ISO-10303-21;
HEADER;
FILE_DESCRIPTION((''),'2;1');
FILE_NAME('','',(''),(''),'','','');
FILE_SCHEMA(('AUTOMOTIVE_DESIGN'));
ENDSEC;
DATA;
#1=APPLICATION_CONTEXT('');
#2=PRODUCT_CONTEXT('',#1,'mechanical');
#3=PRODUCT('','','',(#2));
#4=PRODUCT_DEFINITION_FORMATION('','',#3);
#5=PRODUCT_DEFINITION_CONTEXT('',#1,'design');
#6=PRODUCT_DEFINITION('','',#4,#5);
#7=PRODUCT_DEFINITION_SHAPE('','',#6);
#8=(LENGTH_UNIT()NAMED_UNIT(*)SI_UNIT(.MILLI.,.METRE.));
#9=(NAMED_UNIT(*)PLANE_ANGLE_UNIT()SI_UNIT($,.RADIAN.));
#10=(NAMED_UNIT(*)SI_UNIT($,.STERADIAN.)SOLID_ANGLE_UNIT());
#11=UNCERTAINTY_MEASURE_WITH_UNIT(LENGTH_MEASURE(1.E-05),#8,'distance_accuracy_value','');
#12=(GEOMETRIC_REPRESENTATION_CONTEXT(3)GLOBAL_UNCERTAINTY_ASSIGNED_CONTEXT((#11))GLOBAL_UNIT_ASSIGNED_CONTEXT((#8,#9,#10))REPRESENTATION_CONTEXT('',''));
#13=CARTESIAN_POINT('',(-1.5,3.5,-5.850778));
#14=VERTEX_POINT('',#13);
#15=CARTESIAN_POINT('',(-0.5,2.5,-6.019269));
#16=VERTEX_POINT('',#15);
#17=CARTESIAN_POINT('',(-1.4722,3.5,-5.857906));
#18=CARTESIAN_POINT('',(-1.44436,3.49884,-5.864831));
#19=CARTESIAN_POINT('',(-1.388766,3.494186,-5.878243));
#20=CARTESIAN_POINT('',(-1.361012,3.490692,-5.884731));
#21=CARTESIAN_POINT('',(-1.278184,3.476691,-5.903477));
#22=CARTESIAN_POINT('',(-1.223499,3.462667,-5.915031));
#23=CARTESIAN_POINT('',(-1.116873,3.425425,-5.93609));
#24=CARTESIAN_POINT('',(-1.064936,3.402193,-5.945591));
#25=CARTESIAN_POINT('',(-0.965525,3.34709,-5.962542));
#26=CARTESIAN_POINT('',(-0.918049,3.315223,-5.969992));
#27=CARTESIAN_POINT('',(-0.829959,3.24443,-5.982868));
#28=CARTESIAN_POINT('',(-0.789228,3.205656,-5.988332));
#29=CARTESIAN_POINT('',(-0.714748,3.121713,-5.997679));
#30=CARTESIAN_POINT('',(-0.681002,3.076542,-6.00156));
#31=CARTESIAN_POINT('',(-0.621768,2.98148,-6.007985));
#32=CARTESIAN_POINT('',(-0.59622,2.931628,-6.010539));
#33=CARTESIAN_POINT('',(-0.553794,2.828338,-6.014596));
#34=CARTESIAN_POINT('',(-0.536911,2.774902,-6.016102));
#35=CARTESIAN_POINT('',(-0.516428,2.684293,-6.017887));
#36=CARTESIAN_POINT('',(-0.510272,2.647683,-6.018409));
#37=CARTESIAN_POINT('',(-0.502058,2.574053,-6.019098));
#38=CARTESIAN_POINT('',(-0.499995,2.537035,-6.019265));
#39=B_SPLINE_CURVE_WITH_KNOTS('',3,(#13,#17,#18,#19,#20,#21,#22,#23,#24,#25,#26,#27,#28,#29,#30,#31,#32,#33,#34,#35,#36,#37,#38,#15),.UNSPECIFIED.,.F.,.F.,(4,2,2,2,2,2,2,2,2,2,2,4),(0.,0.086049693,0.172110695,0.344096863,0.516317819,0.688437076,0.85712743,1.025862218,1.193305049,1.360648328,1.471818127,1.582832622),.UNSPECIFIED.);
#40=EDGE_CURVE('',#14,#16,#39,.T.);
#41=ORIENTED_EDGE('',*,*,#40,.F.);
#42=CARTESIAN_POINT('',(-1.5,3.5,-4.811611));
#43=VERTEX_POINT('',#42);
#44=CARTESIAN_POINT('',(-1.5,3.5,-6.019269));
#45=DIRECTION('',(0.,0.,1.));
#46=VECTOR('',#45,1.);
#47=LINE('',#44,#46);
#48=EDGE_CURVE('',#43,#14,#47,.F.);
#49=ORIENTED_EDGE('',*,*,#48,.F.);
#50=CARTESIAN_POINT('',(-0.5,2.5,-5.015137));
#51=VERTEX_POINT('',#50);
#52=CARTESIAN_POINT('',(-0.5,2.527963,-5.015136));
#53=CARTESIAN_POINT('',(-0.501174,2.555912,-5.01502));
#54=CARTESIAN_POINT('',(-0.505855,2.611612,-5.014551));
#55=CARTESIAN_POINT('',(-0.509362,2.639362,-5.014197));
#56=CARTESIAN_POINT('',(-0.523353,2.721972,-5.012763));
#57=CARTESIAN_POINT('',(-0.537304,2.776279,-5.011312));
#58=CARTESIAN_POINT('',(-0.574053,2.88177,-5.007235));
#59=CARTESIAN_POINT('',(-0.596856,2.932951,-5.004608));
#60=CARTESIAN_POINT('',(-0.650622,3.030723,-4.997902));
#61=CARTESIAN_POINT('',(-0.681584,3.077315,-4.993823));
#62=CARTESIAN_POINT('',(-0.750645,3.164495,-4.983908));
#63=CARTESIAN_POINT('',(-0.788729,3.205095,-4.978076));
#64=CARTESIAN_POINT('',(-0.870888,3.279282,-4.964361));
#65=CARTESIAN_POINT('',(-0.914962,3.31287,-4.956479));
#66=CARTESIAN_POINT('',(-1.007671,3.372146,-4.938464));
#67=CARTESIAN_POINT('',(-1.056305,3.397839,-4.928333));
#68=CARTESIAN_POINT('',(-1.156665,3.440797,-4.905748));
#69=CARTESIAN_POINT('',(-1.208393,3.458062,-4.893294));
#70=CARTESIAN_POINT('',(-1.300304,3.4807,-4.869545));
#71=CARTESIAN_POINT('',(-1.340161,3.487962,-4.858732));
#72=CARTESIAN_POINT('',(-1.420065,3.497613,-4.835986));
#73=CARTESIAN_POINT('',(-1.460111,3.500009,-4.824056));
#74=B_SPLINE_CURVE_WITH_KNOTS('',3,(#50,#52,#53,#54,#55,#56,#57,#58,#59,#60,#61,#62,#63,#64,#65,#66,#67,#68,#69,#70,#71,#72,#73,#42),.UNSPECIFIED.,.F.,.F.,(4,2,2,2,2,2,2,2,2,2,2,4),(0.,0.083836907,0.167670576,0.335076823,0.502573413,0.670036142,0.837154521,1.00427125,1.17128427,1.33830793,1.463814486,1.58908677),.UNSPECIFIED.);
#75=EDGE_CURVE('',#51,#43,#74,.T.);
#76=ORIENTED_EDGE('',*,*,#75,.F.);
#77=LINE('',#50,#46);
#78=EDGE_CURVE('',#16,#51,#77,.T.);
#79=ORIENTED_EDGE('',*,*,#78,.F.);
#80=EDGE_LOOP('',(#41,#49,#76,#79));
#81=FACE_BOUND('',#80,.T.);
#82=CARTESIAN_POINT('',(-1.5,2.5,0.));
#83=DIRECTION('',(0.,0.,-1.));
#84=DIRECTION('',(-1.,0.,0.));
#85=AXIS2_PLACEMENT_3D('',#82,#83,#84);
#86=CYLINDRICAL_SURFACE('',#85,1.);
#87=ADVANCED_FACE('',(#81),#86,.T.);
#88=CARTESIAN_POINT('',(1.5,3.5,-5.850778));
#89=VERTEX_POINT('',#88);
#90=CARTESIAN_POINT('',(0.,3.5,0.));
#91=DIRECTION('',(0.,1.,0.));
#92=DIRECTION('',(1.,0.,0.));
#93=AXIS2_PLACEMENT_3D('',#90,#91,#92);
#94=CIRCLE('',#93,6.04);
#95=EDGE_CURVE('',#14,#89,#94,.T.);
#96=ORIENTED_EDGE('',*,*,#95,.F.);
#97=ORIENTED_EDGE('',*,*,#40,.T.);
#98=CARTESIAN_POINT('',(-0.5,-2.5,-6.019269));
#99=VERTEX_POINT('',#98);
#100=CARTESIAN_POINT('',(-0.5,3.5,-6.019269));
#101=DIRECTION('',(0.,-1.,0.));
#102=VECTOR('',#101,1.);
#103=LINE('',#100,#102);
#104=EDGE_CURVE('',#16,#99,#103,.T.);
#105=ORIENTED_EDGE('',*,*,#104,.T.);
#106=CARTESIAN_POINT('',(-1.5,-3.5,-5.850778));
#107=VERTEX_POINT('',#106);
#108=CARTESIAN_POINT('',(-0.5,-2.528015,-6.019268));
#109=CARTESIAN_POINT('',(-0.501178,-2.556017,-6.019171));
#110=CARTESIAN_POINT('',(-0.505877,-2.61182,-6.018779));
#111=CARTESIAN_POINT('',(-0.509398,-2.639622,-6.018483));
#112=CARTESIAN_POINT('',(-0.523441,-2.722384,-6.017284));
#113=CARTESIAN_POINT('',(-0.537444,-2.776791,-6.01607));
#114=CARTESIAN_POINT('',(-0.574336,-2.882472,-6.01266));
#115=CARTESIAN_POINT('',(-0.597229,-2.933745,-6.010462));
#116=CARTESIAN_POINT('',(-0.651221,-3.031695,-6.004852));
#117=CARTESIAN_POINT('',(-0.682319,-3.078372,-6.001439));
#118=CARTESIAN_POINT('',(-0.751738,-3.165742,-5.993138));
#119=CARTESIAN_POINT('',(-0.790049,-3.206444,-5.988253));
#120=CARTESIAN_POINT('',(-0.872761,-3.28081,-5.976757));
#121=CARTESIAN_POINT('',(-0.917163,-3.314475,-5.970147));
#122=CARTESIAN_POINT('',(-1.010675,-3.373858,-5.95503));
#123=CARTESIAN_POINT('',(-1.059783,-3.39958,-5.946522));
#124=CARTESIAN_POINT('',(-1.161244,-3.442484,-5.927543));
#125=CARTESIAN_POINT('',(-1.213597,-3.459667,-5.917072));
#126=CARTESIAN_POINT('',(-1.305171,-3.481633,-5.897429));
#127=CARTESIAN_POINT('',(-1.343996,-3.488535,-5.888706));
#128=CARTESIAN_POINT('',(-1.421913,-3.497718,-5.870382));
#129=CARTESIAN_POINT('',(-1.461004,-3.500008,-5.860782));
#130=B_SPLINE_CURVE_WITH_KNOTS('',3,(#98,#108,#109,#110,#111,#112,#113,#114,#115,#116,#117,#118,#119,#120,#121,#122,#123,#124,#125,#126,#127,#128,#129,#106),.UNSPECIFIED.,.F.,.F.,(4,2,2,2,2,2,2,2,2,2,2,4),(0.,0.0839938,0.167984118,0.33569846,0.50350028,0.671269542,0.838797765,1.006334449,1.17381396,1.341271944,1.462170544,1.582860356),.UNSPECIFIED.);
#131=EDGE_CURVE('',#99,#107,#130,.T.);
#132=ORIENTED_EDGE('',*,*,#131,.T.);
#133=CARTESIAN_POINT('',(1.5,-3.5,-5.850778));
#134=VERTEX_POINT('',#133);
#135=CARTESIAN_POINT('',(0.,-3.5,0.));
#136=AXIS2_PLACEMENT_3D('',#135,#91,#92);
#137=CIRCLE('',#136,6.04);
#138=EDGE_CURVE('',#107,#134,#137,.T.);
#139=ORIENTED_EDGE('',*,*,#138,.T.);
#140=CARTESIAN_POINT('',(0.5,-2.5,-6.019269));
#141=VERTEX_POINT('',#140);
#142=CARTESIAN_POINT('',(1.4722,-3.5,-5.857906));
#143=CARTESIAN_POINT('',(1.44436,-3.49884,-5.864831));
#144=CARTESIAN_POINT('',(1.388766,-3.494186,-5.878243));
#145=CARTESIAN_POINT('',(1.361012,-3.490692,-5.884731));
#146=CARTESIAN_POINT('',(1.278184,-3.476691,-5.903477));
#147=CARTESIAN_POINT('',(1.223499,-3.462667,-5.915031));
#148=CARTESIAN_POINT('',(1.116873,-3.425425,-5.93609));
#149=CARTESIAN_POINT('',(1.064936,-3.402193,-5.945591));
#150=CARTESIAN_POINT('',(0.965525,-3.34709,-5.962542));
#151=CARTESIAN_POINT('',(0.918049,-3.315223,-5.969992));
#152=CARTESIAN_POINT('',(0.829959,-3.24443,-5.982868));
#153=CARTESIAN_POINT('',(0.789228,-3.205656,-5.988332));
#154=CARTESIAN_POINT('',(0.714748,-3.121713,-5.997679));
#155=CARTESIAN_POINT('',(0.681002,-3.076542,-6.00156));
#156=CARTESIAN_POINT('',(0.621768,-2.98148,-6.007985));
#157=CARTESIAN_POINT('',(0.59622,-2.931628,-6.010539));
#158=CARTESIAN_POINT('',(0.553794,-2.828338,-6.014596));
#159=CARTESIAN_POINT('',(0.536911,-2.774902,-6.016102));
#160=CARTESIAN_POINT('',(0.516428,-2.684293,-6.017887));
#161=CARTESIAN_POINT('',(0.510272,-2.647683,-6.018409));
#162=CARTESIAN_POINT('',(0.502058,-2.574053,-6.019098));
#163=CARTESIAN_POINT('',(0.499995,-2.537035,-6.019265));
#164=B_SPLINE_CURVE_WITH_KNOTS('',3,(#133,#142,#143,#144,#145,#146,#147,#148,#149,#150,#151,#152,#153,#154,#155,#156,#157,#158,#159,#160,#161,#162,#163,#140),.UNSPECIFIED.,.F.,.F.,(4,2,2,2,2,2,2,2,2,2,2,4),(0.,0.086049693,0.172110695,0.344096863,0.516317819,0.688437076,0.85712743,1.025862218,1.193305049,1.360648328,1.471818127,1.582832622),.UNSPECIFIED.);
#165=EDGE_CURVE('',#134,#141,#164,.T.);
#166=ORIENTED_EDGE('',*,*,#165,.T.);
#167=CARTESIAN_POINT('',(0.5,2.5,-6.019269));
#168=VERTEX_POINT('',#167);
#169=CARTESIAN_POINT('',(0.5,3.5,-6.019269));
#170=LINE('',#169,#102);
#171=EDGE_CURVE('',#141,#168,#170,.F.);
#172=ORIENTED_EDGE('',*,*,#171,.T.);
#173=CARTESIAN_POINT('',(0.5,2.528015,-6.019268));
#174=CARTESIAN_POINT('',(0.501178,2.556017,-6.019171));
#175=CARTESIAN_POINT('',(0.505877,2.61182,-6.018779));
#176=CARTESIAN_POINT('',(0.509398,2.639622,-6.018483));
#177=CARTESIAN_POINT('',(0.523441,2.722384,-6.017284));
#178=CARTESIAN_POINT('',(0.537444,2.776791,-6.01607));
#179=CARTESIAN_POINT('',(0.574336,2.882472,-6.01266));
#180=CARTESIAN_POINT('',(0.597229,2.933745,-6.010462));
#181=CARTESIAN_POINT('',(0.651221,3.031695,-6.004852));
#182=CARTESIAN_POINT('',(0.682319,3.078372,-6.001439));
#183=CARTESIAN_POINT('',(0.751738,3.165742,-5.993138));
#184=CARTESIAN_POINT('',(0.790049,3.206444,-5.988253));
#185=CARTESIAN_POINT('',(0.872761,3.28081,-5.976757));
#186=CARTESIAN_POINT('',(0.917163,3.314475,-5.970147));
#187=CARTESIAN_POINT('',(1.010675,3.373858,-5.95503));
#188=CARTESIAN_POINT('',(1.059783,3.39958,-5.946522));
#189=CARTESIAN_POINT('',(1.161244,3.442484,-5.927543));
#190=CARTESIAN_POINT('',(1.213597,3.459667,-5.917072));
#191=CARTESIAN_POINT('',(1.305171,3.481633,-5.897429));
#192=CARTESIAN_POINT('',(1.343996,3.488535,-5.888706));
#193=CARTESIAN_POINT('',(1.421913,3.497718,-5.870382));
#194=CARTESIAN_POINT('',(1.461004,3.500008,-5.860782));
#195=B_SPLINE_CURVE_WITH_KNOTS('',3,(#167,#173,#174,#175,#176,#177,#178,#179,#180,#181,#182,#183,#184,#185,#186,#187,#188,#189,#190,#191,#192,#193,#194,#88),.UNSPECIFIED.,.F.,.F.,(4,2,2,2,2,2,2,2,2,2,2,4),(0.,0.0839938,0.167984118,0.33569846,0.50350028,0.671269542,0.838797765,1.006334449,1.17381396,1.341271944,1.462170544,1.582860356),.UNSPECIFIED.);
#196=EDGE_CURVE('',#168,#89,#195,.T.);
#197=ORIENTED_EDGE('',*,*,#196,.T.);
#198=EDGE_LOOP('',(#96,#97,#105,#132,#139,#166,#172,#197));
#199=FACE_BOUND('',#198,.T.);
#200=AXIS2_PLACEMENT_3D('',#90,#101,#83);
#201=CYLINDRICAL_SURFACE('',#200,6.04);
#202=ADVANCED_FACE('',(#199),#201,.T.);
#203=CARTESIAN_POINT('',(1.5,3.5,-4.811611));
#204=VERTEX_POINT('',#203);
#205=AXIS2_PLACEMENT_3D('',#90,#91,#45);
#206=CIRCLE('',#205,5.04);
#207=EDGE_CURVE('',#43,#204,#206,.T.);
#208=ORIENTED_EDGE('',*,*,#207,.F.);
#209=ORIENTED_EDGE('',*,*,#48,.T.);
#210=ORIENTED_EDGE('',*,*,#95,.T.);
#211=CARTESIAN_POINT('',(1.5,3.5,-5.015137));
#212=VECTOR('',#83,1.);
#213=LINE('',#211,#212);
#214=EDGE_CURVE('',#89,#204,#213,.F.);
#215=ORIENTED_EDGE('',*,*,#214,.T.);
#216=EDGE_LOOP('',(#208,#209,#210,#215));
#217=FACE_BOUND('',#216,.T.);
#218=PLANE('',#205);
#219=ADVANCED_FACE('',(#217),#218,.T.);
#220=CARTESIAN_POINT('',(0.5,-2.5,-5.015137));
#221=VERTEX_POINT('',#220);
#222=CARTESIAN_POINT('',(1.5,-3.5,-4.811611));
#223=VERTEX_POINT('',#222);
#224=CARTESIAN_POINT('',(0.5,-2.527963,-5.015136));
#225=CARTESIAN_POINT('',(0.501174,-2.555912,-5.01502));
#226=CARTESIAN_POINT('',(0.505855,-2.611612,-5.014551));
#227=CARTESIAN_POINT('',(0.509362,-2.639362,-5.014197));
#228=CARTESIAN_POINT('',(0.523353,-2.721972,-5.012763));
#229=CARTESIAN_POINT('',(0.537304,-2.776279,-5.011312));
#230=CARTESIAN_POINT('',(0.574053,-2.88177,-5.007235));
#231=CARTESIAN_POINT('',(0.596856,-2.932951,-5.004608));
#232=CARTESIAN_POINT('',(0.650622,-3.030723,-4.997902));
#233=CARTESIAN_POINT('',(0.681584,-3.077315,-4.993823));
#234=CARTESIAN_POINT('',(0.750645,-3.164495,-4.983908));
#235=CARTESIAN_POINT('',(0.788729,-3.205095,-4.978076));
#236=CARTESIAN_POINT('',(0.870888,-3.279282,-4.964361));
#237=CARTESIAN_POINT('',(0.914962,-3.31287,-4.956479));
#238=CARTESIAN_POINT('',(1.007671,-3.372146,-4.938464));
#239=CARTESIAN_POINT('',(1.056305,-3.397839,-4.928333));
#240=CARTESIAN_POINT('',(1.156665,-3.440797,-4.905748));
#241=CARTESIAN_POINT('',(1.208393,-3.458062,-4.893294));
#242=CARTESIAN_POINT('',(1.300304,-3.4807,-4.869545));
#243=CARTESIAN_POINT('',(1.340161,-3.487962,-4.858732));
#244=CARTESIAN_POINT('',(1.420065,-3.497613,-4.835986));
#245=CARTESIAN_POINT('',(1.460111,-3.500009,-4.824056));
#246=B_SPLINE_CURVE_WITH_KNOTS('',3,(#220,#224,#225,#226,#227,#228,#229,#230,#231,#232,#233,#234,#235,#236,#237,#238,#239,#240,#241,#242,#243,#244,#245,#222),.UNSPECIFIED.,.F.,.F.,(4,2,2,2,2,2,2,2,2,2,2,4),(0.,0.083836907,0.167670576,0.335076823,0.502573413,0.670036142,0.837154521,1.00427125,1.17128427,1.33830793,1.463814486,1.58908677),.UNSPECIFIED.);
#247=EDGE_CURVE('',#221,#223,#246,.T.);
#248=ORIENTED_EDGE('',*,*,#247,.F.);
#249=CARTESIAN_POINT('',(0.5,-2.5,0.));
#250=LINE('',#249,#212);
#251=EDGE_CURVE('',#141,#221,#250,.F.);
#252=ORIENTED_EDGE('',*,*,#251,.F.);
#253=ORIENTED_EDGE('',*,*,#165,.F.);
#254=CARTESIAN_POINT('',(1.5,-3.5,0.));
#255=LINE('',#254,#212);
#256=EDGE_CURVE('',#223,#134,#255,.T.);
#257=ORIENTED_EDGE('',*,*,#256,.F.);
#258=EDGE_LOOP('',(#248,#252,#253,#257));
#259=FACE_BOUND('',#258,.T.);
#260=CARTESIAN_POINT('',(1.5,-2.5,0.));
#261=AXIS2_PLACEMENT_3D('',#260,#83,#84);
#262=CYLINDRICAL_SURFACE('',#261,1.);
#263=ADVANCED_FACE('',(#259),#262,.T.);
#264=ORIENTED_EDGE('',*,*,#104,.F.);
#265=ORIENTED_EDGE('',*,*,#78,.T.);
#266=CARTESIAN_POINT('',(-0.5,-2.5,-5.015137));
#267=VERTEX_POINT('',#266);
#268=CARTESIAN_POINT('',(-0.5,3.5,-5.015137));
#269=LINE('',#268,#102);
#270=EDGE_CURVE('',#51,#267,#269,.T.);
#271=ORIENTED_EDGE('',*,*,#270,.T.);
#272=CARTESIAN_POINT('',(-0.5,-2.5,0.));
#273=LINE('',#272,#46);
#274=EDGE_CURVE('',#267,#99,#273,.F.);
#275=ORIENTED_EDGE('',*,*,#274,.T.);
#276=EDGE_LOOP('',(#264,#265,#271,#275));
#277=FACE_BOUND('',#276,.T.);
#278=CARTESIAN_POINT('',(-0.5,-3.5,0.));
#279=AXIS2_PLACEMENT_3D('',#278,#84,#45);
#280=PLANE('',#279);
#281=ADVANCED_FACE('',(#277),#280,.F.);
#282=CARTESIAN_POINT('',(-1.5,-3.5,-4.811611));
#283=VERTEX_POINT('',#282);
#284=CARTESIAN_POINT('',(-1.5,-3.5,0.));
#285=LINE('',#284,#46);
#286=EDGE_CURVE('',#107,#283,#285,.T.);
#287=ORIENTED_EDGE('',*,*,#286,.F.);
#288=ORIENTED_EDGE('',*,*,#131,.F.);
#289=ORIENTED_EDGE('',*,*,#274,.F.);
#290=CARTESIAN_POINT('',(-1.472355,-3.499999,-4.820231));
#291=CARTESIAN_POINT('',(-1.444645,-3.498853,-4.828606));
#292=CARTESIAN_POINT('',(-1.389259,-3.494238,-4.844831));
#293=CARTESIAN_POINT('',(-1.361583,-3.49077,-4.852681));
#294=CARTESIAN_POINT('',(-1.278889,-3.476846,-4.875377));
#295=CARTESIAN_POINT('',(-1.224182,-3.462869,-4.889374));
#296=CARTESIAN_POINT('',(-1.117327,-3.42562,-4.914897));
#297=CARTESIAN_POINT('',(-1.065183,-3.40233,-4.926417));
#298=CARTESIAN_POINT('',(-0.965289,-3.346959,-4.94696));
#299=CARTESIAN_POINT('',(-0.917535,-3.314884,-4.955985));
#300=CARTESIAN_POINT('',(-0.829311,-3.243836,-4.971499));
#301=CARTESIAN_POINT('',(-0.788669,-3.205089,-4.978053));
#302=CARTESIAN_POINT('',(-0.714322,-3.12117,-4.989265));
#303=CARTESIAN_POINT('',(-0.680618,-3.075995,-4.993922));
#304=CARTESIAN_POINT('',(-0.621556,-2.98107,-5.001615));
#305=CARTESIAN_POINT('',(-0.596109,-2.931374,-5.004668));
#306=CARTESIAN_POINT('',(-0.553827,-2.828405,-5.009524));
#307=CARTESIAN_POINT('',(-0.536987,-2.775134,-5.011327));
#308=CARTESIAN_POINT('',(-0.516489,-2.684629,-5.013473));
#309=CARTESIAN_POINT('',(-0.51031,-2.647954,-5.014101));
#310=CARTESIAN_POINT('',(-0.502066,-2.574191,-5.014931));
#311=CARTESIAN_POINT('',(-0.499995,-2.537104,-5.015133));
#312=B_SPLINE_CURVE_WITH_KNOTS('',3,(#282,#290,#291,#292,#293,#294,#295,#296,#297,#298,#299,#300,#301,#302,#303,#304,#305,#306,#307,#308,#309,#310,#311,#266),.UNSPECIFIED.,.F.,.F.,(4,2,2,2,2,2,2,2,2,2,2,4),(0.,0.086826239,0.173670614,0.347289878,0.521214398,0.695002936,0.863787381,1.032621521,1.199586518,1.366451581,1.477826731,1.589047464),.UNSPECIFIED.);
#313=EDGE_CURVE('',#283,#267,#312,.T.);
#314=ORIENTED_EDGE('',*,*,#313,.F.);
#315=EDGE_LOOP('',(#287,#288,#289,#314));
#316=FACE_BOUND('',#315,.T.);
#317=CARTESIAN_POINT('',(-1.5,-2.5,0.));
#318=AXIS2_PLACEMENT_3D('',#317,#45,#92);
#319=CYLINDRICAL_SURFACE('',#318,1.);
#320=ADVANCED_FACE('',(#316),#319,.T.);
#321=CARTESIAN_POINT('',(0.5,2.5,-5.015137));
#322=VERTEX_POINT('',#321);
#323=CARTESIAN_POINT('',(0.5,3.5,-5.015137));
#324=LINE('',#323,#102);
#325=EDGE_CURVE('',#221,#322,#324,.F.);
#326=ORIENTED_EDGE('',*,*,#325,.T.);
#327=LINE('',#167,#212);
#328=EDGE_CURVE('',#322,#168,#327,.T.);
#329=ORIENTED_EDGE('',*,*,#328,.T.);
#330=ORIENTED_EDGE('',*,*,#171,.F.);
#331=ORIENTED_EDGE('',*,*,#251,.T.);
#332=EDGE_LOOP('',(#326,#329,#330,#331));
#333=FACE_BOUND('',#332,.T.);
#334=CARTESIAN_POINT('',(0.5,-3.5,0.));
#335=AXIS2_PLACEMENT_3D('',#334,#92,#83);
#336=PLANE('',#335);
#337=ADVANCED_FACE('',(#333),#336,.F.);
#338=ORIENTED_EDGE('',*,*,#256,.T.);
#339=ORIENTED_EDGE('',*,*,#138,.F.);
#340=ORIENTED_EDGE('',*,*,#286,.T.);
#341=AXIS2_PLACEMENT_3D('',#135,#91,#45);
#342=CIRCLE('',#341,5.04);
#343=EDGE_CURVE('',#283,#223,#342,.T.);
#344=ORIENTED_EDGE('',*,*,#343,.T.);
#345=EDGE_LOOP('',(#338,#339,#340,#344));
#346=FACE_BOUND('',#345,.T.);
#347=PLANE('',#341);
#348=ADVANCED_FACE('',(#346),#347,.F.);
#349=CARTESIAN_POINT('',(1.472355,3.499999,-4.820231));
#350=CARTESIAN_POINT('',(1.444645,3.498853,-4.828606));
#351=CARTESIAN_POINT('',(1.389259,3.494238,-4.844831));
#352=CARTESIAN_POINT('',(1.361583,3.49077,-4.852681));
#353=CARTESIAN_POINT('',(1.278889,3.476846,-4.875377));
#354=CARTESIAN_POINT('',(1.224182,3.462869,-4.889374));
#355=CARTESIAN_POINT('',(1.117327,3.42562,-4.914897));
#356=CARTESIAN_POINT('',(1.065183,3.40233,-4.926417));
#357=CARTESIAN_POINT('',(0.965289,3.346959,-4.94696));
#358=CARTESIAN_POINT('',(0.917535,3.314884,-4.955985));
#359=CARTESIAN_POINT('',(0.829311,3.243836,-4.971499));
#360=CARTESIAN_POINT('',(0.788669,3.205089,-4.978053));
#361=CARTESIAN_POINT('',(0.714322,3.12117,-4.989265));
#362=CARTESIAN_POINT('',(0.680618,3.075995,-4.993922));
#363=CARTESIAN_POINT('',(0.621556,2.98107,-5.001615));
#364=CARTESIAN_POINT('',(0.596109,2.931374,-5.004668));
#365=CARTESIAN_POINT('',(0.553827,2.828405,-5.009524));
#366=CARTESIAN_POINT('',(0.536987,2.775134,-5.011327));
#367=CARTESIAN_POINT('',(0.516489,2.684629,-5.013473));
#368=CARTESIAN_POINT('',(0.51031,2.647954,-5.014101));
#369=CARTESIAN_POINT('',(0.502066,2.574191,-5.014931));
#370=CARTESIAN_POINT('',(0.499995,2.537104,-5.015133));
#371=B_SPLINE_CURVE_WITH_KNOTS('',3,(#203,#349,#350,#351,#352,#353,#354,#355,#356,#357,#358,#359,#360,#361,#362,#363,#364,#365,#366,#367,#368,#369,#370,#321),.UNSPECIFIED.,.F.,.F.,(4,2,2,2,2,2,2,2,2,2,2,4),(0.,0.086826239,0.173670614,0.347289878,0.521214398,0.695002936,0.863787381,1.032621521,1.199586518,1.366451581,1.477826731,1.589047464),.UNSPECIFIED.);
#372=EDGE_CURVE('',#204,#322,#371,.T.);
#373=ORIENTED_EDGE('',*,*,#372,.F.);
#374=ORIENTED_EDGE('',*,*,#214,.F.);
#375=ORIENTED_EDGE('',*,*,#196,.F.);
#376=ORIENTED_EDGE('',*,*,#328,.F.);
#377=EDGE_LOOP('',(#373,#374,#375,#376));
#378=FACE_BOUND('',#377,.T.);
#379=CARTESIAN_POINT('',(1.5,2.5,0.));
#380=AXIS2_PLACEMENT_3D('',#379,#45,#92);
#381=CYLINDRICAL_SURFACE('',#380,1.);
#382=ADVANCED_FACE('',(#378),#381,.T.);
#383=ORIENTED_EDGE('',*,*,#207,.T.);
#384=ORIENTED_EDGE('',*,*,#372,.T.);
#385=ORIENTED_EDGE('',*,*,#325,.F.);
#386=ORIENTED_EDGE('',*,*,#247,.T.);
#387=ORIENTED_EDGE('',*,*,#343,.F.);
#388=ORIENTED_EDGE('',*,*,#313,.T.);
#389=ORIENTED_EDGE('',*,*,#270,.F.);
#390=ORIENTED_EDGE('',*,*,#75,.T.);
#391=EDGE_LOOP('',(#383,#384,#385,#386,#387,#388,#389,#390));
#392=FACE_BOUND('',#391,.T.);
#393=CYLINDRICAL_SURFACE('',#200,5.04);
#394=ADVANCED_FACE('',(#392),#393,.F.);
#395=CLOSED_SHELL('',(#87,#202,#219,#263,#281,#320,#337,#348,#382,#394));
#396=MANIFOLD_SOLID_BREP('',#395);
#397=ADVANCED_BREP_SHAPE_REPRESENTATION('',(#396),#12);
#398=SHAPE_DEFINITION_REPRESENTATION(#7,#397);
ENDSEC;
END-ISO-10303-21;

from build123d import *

# Parameters (mm, degrees)
SKETCH3_R               = 6.04
SKETCH3_R_2             = 5.04
EXTRUDE_THIN1_DEPTH     = 3.5
SKETCH4_W               = 1
SKETCH4_H               = 1000
CUT_EXTRUDE1_DEPTH      = 4.5
CUT_EXTRUDE1_DEPTH_BACK = 4.5
FILLET1_R               = 1


with BuildPart() as part:
    # Sketch3 → Extrude-Thin1 (new body, symmetric)
    with BuildSketch(Plane(origin=(0, 0, 0), x_dir=(1, 0, 0), z_dir=(0, 1, 0))):
        Circle(SKETCH3_R)
        Circle(SKETCH3_R_2, mode=Mode.SUBTRACT)
    extrude(amount=EXTRUDE_THIN1_DEPTH, both=True)

    # Sketch4 → Cut-Extrude1 (cut, two sides)
    with BuildSketch(Plane(origin=(0, 0, 0), x_dir=(1, 0, 0), z_dir=(0, 1, 0))) as cut_extrude1_sk:
        with Locations((0, 500)):
            Rectangle(SKETCH4_W, SKETCH4_H)
    extrude(amount=CUT_EXTRUDE1_DEPTH, mode=Mode.SUBTRACT)
    extrude(cut_extrude1_sk.sketch, amount=-CUT_EXTRUDE1_DEPTH_BACK, mode=Mode.SUBTRACT)

    # Fillet1
    fillet1_edges = [part.edges().sort_by_distance(p)[0] for p in [
        (0.5, -3.5, -5.517203073),
        (-0.5, -3.5, -5.517203073),
        (0.5, 3.5, -5.517203073),
        (-0.5, 3.5, -5.517203073),
    ]]
    fillet(fillet1_edges, radius=FILLET1_R)


solid = part.part
